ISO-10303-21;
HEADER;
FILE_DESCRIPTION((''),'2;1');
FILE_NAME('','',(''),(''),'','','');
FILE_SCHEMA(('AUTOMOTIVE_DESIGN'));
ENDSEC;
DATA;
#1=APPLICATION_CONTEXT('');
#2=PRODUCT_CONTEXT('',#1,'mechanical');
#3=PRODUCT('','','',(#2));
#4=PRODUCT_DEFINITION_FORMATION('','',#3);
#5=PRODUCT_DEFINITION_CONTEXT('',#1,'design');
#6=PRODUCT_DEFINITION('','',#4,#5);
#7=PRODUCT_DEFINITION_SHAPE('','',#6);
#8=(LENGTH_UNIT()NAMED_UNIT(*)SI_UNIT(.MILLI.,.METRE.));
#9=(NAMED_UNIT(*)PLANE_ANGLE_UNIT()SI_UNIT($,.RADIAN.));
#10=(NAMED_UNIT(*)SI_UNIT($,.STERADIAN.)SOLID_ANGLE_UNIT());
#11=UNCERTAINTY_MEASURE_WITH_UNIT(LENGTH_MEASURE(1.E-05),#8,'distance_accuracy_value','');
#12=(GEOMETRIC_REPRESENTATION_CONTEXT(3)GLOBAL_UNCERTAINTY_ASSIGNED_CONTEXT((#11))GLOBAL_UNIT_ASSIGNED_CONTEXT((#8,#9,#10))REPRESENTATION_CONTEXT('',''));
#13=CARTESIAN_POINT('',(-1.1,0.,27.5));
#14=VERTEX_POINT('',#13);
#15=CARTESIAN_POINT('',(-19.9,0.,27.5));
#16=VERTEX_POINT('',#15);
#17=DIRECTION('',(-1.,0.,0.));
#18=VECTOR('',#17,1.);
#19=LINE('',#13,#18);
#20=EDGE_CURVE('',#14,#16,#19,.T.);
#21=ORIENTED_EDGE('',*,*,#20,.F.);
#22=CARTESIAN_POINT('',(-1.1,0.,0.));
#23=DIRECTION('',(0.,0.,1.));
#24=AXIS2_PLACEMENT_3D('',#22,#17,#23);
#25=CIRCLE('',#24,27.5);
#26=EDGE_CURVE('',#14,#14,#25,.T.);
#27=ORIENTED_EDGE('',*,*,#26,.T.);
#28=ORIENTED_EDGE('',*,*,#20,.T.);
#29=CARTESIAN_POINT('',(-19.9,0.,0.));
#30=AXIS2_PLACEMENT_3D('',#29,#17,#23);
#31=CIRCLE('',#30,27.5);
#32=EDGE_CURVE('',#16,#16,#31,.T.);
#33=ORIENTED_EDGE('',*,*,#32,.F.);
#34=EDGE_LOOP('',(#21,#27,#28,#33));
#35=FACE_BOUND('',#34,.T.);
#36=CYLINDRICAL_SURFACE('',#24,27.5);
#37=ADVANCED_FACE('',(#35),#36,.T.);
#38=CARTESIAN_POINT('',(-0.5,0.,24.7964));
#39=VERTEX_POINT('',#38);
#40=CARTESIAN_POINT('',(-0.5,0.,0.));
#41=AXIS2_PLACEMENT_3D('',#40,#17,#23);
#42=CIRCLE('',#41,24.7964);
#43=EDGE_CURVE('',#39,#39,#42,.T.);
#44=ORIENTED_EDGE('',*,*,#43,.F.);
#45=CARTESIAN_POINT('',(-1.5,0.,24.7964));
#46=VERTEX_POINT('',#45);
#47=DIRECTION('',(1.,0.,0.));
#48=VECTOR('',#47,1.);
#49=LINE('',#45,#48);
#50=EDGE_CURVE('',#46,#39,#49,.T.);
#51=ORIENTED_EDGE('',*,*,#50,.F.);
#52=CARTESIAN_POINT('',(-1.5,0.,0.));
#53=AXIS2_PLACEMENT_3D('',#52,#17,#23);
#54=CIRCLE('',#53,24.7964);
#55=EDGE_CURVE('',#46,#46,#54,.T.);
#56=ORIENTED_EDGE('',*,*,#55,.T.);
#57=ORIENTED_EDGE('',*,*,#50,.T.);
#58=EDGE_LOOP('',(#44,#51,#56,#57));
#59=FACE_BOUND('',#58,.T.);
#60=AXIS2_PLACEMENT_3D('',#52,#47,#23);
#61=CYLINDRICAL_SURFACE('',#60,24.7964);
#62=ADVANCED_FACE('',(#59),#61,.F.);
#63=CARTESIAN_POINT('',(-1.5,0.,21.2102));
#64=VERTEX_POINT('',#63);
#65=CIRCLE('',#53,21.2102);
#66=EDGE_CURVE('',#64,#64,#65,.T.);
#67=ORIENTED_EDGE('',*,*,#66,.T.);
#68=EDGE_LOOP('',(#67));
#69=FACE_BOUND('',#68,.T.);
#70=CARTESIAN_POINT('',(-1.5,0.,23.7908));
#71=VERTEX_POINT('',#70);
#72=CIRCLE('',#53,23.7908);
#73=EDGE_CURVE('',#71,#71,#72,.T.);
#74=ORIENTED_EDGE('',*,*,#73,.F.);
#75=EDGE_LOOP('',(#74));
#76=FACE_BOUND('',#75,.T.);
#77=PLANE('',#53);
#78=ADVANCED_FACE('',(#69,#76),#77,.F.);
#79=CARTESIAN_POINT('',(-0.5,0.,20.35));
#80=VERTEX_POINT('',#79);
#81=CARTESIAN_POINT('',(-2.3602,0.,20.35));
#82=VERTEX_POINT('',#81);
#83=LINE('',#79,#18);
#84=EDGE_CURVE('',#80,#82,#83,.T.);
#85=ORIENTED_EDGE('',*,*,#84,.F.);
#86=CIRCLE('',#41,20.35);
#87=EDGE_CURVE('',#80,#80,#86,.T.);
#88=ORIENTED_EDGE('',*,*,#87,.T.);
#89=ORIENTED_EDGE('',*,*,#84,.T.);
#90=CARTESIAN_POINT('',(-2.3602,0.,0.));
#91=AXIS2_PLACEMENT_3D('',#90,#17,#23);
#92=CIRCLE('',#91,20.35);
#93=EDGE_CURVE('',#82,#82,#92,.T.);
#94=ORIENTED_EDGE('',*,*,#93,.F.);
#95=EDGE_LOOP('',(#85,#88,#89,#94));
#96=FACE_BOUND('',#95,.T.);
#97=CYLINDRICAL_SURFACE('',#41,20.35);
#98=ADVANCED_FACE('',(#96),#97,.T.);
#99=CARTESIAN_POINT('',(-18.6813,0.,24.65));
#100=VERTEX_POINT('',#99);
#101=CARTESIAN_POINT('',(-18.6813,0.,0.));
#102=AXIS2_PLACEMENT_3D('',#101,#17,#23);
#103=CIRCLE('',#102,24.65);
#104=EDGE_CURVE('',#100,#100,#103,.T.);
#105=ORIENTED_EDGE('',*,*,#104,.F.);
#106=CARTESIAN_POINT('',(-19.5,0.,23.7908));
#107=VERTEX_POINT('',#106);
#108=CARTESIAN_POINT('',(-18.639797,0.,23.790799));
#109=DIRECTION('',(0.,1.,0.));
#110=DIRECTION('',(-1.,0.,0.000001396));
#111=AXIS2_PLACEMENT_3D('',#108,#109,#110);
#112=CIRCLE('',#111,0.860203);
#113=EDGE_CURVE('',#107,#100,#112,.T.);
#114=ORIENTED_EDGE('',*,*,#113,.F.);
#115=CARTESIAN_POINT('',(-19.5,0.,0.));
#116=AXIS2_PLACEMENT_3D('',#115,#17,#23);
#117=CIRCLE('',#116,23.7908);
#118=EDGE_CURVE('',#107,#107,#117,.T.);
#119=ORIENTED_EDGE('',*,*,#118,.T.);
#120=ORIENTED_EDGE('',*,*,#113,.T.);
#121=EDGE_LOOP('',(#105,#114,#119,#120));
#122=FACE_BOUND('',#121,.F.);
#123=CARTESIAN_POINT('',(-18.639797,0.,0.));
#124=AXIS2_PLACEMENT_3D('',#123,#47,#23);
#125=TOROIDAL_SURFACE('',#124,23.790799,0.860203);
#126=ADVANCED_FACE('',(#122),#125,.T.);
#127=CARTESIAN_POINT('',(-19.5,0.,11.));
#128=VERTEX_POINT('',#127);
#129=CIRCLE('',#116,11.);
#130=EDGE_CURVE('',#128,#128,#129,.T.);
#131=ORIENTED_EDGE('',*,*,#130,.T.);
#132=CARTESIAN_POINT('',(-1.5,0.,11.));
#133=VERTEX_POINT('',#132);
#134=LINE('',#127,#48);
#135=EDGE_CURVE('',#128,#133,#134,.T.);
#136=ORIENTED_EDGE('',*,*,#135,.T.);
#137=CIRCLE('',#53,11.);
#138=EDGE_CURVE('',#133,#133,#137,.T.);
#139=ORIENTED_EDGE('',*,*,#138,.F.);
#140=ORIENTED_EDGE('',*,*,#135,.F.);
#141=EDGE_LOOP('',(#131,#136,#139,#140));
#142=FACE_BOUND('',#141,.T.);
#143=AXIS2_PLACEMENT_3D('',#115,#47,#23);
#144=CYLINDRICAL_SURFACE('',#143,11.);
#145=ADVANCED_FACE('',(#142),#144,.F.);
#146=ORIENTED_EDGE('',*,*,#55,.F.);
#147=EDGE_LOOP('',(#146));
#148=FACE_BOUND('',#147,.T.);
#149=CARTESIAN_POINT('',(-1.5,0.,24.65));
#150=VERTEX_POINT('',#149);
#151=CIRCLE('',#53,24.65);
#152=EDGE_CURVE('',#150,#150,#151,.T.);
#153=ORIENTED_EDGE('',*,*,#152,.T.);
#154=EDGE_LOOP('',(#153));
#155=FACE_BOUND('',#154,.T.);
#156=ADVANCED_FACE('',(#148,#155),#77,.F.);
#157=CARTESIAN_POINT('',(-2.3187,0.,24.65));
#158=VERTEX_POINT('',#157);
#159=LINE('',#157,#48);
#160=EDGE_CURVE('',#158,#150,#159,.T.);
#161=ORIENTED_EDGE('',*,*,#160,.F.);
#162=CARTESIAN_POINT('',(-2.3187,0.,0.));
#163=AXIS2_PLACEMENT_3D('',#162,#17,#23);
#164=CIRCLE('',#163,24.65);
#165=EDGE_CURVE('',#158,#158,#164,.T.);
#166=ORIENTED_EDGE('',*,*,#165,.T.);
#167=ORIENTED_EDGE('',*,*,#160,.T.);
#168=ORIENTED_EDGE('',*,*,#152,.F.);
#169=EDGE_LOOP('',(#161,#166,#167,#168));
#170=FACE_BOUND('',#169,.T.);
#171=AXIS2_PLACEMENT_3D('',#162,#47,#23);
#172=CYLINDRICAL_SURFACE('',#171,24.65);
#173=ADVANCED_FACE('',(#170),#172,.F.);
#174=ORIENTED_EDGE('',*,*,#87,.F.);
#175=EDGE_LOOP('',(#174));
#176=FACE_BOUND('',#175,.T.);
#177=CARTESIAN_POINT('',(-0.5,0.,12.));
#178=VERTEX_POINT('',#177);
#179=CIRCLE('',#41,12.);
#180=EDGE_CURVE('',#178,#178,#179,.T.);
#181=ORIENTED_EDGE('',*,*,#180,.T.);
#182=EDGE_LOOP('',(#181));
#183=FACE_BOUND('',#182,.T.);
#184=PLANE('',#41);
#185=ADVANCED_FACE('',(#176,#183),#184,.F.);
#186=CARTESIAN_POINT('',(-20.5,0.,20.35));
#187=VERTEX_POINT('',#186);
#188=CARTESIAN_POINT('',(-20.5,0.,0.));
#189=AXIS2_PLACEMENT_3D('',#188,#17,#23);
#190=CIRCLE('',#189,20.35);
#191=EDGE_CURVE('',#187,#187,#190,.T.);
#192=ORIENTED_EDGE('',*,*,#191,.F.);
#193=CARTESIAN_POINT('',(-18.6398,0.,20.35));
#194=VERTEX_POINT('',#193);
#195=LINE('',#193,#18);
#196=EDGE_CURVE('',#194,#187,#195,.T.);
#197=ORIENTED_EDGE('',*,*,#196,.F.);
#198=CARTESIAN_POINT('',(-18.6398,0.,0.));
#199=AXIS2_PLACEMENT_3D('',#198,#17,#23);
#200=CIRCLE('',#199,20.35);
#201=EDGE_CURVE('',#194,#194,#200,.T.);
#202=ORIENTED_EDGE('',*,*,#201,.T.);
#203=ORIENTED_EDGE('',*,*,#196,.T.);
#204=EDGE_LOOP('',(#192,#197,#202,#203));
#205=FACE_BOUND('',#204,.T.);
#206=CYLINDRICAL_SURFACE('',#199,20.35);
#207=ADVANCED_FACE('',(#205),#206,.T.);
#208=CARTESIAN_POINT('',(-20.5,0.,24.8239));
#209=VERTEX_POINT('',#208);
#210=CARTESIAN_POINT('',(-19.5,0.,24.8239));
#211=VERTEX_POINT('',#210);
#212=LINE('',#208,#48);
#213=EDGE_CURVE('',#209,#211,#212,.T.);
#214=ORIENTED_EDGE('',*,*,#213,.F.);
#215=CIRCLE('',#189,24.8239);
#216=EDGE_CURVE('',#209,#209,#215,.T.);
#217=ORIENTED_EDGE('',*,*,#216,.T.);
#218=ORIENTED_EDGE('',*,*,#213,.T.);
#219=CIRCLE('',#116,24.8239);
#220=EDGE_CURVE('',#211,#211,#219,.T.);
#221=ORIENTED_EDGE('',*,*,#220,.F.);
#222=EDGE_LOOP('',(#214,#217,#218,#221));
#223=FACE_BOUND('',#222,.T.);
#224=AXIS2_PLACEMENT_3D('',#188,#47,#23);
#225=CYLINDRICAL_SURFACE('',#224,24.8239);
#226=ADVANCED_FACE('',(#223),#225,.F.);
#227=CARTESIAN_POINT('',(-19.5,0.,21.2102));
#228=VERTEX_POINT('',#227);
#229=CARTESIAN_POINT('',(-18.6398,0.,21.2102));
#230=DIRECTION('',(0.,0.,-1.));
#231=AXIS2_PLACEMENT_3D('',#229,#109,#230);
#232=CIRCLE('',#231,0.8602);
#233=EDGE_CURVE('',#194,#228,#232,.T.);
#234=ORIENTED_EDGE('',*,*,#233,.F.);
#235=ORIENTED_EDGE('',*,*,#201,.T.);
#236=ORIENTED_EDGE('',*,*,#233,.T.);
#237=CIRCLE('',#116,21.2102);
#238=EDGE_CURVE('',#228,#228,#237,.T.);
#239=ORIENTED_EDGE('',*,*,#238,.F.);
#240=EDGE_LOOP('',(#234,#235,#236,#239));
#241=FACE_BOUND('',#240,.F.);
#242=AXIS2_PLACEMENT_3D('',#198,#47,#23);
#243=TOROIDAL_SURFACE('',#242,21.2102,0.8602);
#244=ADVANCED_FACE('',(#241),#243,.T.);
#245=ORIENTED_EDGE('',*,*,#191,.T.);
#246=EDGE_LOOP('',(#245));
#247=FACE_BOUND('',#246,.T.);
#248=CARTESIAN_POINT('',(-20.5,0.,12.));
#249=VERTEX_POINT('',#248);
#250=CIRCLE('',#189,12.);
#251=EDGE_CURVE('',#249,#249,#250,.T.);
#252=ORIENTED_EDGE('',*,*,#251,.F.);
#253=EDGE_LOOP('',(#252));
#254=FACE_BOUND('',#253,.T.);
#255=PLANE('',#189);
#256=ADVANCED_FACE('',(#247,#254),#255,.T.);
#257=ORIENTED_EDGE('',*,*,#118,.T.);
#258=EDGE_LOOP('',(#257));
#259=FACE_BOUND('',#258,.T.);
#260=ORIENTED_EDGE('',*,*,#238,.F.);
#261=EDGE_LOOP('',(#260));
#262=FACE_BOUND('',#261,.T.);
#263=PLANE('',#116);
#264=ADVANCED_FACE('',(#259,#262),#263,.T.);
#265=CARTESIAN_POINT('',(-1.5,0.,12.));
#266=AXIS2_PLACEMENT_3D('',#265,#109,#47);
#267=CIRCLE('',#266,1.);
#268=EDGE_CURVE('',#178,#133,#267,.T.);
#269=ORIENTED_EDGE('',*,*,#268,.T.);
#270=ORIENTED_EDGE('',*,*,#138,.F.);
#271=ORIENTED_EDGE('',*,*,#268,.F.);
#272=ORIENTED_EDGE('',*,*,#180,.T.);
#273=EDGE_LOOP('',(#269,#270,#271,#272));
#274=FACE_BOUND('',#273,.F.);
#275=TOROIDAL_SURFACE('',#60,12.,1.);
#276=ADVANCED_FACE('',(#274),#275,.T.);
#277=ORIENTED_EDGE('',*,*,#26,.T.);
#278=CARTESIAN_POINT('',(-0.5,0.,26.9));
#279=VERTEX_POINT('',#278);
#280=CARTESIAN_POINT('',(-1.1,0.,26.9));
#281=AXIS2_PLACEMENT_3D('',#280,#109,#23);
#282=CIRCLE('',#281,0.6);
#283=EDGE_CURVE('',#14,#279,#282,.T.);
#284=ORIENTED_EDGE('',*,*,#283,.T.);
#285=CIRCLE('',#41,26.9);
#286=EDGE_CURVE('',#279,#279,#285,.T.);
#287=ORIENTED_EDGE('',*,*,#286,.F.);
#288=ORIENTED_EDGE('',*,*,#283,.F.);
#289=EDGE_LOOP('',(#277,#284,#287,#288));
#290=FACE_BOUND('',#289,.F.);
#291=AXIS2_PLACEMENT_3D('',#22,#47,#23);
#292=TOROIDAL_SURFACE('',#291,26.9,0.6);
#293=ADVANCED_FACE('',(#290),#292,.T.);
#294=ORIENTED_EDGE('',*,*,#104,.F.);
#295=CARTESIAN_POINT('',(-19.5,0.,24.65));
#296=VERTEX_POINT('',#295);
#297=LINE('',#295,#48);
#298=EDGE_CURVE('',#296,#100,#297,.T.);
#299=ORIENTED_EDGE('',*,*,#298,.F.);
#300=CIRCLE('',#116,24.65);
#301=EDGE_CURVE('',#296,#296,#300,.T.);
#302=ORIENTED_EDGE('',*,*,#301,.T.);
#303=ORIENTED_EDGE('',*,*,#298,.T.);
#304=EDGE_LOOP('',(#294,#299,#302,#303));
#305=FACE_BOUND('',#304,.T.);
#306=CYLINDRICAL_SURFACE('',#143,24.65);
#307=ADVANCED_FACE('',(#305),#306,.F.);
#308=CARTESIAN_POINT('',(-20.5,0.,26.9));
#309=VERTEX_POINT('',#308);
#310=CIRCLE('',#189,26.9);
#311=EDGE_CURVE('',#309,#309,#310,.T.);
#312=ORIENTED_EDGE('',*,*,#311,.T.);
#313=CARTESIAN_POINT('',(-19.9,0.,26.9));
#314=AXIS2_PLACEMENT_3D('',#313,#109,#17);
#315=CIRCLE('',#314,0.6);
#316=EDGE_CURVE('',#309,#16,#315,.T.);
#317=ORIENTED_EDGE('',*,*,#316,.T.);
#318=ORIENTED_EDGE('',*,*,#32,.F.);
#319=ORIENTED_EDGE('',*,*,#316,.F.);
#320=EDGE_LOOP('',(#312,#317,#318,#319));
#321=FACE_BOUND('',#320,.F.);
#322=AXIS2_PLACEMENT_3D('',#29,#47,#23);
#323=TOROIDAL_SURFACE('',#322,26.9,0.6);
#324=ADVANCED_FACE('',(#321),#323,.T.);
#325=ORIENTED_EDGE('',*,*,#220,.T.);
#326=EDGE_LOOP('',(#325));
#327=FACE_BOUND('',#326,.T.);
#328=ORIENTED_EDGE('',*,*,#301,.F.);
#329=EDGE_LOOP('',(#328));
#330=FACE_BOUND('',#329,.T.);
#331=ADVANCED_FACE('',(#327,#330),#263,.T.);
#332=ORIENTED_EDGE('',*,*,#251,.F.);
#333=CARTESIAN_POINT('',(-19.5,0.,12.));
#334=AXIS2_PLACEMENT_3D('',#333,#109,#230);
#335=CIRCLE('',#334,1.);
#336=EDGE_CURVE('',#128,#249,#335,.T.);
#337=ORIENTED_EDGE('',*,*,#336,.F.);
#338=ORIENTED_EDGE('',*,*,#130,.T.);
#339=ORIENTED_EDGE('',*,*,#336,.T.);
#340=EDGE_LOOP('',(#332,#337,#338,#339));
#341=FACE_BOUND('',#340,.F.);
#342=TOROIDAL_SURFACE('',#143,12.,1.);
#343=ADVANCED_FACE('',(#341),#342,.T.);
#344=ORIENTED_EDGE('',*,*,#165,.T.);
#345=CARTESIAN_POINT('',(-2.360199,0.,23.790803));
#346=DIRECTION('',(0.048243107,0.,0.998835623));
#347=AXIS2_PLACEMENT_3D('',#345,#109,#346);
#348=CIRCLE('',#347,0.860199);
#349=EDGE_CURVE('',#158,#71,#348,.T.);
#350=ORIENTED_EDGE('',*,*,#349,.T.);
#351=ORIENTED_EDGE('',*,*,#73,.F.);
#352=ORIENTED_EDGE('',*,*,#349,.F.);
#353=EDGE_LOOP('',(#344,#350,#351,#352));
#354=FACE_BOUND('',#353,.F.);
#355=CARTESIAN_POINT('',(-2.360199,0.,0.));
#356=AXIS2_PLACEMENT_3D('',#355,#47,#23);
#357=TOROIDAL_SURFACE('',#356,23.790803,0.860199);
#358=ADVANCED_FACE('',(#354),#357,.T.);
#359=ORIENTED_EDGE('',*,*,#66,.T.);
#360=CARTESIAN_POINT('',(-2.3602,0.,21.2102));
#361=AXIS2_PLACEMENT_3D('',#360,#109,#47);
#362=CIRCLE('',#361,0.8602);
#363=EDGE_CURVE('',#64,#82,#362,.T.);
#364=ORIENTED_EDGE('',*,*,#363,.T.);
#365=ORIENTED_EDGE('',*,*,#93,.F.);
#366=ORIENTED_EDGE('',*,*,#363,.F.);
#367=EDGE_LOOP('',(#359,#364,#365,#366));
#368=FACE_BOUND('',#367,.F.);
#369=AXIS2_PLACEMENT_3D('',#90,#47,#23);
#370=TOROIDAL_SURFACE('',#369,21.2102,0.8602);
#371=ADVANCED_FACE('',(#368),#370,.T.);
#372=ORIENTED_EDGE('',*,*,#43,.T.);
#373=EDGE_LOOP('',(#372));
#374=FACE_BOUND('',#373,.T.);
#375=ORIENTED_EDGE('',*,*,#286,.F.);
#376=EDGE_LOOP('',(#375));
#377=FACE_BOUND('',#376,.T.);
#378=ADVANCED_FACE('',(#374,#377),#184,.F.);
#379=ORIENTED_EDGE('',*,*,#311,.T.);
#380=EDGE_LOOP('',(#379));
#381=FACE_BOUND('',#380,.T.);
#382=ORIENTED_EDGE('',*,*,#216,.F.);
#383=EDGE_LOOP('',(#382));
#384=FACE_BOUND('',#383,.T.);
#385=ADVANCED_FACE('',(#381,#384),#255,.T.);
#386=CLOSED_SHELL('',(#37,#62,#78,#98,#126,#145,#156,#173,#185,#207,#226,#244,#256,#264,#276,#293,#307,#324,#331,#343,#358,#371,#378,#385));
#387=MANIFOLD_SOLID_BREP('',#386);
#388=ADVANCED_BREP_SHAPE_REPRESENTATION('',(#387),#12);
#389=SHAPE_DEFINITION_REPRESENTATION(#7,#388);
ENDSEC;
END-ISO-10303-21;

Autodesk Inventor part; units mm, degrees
ref_plane "YZ Plane" through (0, 0, 0) normal (1, 0, 0) x (0, 1, 0)
ref_plane "XZ Plane" through (0, 0, 0) normal (0, 1, 0) x (-1, 0, 0)
ref_plane "XY Plane" through (0, 0, 0) normal (0, 0, 1) x (1, 0, 0)
sketch "Sketch1" plane through (0, 0, 0) normal (0, 1, 0) x (-1, 0, 0)
  line L0 (19.5, 11) -> (1.5, 11)
  arc A0 (0.5, 12) -> (1.5, 11) centre (1.5, 12) ccw
  line L1 (0.5, 12) -> (0.5, 20.35)
  line L2 (0.5, 20.35) -> (2.3602, 20.35)
  arc A1 (1.5, 21.2102) -> (2.3602, 20.35) centre (2.3602, 21.2102) ccw
  line L3 (1.5, 21.2102) -> (1.5, 23.7908)
  arc A2 (2.3187, 24.65) -> (1.5, 23.7908) centre (2.3602, 23.7908) ccw
  line L4 (2.3187, 24.65) -> (1.5, 24.65)
  line L5 (1.5, 24.65) -> (1.5, 24.7964)
  line L6 (1.5, 24.7964) -> (0.5, 24.7964)
  line L7 (0.5, 24.7964) -> (0.5, 26.9)
  arc A3 (1.1, 27.5) -> (0.5, 26.9) centre (1.1, 26.9) ccw
  line L8 (1.1, 27.5) -> (19.9, 27.5)
  arc A4 (20.5, 26.9) -> (19.9, 27.5) centre (19.9, 26.9) ccw
  line L9 (20.5, 26.9) -> (20.5, 24.8239)
  line L10 (20.5, 24.8239) -> (19.5, 24.8239)
  line L11 (19.5, 24.8239) -> (19.5, 24.65)
  line L12 (19.5, 24.65) -> (18.6813, 24.65)
  arc A5 (19.5, 23.7908) -> (18.6813, 24.65) centre (18.6398, 23.7908) ccw
  line L13 (19.5, 23.7908) -> (19.5, 21.2102)
  arc A6 (18.6398, 20.35) -> (19.5, 21.2102) centre (18.6398, 21.2102) ccw
  line L14 (18.6398, 20.35) -> (20.5, 20.35)
  line L15 (20.5, 20.35) -> (20.5, 12)
  arc A7 (19.5, 11) -> (20.5, 12) centre (19.5, 12) ccw
  line L16 (0, 0) -> (63.5956, 0)
  dimension "d2" = 55
  dimension "d3" = 22
  dimension "d4" = 40.7
  dimension "d5" = 49.6479
  dimension "d6" = 49.5929
revolve "Revolution1" add sketch "Sketch1" angle 360 about axis through (0, 0, 0) along (-1, 0, 0)
properties part number "Rear Compression Bearing" material "Stainless Steel"
